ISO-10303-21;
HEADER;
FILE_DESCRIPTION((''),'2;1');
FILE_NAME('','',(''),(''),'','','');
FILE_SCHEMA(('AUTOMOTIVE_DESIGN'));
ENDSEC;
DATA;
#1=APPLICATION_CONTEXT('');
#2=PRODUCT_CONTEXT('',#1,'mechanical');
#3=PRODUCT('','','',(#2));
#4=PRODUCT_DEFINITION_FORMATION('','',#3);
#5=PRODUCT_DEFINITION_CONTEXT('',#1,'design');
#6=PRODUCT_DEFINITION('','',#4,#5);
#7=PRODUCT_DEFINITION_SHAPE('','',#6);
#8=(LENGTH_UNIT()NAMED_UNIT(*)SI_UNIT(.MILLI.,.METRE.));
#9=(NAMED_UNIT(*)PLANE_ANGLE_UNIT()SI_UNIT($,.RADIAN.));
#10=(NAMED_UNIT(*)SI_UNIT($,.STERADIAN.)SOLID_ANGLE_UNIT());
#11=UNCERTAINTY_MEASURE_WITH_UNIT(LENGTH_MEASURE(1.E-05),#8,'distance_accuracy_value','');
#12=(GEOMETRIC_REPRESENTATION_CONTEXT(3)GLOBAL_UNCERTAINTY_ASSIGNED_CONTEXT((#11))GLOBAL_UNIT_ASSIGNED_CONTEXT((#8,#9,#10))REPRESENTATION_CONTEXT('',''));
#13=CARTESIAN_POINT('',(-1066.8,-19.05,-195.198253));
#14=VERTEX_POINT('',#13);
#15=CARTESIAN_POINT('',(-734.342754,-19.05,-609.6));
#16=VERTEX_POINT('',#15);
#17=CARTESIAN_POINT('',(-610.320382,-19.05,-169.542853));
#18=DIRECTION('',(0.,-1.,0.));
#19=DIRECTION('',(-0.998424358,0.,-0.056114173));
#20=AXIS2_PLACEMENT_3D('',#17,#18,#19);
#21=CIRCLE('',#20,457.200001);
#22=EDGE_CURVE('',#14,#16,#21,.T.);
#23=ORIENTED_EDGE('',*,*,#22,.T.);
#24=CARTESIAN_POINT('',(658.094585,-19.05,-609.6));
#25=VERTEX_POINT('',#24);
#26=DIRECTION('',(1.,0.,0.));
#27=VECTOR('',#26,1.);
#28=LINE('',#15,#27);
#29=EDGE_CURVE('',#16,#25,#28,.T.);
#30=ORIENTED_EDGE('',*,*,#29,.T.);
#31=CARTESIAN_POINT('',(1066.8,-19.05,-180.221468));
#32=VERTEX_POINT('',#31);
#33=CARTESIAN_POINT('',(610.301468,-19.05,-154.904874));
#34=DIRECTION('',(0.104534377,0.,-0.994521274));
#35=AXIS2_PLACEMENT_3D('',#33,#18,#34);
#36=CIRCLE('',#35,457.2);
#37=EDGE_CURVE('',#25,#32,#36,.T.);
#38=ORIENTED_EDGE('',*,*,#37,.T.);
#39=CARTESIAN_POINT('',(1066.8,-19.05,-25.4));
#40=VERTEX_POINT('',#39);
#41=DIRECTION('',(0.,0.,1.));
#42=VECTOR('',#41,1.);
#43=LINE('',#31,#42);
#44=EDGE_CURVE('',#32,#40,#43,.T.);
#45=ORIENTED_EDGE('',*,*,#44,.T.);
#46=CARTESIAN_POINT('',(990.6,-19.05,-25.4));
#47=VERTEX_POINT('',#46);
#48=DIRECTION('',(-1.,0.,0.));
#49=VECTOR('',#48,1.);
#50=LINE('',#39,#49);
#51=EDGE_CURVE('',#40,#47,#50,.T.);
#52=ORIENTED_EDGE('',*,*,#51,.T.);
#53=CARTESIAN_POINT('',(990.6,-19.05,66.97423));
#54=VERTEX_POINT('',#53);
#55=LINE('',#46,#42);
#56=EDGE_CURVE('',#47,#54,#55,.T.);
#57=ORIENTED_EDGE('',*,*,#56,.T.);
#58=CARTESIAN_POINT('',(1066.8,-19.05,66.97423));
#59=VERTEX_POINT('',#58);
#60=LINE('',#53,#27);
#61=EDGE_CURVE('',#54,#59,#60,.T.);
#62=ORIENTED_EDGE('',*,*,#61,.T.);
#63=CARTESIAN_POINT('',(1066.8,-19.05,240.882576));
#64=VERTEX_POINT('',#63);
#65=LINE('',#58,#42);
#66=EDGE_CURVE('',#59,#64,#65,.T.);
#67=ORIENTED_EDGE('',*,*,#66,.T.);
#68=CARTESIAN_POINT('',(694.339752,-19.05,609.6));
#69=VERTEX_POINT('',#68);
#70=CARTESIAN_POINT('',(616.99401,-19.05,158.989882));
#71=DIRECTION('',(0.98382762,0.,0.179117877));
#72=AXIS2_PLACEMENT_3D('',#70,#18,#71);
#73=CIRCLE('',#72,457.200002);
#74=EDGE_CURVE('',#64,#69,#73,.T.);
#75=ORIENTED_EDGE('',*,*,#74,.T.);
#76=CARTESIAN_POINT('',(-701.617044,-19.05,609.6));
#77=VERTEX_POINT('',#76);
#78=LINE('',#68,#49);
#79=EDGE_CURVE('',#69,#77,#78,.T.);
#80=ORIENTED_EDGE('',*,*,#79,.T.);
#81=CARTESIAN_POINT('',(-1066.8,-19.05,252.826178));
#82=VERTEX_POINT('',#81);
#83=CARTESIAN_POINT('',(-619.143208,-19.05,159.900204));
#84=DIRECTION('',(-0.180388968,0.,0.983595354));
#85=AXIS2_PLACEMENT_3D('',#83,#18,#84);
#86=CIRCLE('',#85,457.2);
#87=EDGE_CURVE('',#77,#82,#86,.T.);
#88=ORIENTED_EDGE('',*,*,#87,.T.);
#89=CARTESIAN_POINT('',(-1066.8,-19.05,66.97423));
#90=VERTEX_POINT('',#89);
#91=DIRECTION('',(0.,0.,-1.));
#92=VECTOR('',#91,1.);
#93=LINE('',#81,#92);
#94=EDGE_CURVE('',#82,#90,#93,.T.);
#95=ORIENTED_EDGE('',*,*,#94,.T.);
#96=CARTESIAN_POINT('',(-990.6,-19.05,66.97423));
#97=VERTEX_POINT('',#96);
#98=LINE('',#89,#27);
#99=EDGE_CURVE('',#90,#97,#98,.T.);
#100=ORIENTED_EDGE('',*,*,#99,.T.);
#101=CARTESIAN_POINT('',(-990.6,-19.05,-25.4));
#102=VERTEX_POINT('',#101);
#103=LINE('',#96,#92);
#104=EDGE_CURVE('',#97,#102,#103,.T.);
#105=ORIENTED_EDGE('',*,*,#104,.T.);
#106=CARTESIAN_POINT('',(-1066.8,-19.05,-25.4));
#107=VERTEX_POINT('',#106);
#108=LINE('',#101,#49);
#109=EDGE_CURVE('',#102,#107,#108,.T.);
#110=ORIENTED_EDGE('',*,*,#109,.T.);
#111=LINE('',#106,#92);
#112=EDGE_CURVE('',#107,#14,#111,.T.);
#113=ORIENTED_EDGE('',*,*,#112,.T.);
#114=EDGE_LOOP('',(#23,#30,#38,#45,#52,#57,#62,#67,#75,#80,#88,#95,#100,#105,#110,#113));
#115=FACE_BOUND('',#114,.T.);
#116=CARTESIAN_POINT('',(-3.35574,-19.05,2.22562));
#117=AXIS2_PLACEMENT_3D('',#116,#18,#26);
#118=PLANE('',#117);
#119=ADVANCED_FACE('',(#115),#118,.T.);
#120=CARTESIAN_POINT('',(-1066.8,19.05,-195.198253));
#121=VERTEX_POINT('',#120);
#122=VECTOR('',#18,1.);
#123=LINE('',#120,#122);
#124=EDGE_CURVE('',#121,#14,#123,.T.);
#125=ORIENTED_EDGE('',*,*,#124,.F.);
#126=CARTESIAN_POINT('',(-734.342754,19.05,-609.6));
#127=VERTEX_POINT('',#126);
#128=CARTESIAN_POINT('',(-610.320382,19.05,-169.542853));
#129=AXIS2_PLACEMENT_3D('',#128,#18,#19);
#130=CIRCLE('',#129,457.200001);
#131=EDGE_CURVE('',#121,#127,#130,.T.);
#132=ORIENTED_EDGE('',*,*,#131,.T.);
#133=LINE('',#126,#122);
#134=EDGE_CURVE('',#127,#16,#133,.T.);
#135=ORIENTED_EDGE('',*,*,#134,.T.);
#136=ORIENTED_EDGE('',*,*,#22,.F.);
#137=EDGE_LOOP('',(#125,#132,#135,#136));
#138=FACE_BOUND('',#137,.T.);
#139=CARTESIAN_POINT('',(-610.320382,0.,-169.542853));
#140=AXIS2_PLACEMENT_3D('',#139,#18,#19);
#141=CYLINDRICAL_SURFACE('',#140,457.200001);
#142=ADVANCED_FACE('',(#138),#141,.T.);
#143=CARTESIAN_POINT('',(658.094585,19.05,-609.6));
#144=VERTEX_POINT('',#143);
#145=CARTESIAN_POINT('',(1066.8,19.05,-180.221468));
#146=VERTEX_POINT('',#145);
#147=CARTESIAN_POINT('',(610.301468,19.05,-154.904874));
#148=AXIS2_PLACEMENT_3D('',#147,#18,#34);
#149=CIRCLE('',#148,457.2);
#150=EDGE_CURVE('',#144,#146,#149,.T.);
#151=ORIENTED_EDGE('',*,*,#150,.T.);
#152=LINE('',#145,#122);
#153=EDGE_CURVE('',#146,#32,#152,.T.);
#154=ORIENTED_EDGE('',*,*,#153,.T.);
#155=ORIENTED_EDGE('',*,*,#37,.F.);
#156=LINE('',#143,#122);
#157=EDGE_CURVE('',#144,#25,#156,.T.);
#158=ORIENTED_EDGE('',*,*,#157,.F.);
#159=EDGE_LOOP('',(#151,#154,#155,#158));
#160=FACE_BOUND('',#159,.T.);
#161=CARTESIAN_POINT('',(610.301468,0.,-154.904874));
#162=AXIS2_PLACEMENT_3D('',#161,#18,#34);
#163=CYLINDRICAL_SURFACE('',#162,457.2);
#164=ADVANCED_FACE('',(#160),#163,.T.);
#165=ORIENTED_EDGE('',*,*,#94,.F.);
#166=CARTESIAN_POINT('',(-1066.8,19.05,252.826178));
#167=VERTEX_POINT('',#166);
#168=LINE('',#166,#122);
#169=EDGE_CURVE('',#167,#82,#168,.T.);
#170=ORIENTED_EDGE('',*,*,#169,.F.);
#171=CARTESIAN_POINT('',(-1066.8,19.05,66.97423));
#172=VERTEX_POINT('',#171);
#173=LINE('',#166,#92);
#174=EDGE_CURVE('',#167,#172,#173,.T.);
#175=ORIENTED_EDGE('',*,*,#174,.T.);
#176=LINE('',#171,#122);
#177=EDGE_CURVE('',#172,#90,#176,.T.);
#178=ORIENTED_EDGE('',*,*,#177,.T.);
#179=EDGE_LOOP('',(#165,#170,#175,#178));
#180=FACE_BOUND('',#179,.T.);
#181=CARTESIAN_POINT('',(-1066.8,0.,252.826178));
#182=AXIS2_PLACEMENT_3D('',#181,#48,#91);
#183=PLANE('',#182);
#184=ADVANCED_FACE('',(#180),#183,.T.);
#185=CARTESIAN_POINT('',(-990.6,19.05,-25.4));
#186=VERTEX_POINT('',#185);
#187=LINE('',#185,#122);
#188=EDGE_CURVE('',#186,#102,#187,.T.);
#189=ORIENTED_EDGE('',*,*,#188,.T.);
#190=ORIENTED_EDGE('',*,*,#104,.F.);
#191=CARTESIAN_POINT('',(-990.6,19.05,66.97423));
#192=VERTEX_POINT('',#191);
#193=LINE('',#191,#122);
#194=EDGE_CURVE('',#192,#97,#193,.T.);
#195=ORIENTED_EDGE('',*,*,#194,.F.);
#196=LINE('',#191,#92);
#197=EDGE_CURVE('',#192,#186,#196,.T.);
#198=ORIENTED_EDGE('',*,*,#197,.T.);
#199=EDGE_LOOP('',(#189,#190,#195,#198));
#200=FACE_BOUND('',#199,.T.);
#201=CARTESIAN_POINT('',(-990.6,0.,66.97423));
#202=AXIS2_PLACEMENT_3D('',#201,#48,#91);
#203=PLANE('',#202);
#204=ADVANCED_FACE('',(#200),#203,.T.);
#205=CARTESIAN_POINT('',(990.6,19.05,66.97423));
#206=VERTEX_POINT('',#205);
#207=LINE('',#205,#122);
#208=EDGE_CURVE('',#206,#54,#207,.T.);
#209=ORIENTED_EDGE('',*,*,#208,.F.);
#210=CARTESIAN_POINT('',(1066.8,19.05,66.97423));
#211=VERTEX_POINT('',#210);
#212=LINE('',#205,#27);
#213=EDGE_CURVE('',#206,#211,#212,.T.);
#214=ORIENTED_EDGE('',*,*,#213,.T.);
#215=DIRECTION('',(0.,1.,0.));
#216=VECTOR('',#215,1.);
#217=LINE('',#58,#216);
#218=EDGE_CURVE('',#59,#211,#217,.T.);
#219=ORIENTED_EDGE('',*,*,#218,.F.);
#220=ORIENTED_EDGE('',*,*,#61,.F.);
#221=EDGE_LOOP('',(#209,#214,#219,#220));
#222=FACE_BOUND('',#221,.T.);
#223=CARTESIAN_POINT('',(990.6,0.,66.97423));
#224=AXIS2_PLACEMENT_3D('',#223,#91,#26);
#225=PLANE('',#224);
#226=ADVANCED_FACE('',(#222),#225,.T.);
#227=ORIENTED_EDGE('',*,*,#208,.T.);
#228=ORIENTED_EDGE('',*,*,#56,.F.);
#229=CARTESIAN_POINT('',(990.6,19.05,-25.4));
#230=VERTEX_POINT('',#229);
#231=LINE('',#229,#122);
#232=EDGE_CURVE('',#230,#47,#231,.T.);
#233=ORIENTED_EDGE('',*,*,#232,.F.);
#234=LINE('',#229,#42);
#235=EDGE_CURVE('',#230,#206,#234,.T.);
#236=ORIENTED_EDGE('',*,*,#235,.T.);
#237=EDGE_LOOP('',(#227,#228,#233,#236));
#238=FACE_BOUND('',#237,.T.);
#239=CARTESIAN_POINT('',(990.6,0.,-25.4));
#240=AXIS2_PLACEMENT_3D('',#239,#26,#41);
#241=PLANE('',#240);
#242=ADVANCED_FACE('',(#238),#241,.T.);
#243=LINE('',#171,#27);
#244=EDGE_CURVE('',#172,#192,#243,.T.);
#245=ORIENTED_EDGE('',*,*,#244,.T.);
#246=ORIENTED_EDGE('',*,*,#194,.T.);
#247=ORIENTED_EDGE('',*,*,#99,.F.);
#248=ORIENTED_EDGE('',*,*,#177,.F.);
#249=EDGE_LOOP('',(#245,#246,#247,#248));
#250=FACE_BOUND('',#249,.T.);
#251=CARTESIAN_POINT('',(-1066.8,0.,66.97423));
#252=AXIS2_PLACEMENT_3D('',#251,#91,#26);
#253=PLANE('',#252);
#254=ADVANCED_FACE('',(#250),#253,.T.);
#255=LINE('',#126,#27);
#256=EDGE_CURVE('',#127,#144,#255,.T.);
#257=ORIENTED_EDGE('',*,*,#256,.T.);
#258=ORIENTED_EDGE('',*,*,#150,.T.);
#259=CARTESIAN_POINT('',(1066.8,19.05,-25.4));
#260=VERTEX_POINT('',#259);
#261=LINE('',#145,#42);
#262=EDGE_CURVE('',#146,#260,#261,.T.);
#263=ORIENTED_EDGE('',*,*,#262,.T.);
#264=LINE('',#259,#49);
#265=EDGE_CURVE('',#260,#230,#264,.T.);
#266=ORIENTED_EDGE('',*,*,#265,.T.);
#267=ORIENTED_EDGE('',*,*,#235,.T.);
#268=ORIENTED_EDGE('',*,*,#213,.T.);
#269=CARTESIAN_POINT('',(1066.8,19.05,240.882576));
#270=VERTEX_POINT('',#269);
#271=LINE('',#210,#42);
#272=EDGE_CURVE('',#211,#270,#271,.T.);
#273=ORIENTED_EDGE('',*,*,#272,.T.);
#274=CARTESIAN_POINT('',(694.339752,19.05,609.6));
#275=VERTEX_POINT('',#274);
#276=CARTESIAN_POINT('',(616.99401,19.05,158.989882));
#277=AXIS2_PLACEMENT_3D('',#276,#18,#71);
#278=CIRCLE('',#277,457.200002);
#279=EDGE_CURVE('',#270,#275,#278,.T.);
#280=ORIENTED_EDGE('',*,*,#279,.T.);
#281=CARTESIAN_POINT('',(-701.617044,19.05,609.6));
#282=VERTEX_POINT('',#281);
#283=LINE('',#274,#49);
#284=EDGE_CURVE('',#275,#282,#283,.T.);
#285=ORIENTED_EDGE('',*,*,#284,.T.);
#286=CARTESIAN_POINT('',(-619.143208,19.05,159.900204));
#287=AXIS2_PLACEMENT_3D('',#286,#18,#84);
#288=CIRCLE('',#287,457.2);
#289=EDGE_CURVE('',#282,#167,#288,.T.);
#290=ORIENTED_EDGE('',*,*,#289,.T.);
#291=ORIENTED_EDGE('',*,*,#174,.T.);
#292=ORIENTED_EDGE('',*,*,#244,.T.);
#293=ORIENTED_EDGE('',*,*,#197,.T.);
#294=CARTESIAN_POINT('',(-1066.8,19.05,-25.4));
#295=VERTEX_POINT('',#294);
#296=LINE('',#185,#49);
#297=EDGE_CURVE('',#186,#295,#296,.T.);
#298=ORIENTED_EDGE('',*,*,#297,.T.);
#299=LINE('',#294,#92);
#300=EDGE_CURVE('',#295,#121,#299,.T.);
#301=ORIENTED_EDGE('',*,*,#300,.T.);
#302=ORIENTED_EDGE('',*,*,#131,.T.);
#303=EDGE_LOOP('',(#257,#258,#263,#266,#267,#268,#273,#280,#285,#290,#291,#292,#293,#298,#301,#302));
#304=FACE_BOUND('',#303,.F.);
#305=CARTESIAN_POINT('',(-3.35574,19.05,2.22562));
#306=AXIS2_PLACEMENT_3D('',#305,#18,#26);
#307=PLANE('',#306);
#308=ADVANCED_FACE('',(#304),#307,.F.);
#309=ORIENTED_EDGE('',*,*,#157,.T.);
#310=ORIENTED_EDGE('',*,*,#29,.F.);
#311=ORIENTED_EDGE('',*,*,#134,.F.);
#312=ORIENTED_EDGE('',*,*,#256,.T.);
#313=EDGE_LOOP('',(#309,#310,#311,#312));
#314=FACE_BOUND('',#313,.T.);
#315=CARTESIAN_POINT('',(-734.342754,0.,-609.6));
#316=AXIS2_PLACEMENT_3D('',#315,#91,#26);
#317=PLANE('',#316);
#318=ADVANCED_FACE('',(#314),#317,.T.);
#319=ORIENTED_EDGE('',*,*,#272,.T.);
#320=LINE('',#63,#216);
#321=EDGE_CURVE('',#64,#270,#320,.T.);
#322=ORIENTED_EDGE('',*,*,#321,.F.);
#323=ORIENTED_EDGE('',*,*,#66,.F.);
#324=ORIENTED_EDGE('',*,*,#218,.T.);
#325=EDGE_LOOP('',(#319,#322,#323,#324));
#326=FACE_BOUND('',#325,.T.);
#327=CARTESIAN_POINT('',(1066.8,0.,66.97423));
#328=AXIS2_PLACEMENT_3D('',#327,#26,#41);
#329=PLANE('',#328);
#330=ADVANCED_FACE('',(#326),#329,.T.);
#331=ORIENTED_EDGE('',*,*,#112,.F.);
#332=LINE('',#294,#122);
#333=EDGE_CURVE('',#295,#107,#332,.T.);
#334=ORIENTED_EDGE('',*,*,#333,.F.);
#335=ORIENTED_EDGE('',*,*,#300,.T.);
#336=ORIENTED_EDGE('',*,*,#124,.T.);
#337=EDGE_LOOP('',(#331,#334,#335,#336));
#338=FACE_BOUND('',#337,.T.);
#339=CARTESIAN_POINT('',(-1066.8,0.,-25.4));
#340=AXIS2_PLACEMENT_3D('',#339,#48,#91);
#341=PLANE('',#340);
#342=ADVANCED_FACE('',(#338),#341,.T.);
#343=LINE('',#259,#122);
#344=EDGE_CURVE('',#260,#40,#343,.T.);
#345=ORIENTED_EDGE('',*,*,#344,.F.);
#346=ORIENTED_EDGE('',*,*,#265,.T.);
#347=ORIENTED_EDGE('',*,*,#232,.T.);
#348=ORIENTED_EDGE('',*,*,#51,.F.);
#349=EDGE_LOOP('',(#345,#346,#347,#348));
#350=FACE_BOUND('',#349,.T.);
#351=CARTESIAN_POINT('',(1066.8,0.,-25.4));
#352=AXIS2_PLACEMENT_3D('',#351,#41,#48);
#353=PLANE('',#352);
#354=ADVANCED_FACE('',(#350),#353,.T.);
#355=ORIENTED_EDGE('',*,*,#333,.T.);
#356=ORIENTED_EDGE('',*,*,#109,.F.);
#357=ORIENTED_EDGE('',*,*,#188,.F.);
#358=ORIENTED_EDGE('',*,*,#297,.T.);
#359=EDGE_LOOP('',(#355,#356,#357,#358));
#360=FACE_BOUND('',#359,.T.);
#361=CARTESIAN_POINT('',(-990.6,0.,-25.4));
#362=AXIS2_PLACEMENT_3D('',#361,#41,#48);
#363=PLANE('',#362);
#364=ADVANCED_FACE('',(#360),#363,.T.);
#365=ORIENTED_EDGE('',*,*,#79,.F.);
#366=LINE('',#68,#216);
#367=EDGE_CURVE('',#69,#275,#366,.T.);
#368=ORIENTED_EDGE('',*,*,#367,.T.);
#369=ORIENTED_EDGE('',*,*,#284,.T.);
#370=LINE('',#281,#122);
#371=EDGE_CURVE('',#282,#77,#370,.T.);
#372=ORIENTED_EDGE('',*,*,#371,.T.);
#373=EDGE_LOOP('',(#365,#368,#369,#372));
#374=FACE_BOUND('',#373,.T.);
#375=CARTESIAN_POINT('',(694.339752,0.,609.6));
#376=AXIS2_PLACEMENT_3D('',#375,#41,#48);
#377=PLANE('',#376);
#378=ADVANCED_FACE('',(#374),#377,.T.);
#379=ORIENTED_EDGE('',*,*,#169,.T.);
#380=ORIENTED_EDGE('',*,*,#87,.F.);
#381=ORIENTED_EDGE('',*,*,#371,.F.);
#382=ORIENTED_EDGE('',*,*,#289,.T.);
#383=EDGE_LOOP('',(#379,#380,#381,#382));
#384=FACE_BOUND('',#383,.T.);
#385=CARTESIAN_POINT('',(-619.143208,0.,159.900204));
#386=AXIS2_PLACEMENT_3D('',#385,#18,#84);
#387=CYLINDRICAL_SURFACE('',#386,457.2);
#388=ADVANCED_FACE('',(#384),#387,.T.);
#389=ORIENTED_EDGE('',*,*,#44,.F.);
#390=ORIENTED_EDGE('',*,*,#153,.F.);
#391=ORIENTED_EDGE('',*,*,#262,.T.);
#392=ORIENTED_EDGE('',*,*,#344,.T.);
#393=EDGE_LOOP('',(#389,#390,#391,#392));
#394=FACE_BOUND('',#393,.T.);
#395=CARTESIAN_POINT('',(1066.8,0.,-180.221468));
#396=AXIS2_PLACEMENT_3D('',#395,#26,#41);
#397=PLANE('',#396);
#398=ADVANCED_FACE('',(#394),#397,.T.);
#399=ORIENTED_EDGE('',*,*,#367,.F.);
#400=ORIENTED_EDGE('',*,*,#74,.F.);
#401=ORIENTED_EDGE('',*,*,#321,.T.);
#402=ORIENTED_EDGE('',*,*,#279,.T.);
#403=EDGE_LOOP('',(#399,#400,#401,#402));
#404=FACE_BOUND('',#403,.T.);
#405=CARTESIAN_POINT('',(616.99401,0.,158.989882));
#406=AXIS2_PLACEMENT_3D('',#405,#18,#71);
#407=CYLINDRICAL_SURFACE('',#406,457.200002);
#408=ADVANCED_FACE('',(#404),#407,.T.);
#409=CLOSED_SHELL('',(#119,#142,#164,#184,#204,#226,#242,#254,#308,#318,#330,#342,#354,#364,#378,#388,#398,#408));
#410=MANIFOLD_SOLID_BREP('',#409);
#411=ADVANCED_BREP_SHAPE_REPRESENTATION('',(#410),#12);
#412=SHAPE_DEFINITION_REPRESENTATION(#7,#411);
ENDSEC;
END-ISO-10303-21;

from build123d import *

# Parameters (mm, degrees)
F1_DEPTH = 19.05


with BuildPart() as f1:
    # F0 (on Front) → F1 (new body, symmetric)
    with BuildSketch(Plane.XZ):
        with BuildLine():
            Line((694.339752, 609.6), (-536.669373, 609.6))
            Line((-536.669373, 609.6), (-701.617044, 609.6))
            ThreePointArc((-701.617044, 609.6), (-938.645181, 486.932816), (-1066.8, 252.826178))
            Line((-1066.8, 252.826178), (-1066.8, 66.97423))
            Line((-1066.8, 66.97423), (-990.6, 66.97423))
            Line((-990.6, 66.97423), (-990.6, -25.4))
            Line((-990.6, -25.4), (-1066.8, -25.4))
            Line((-1066.8, -25.4), (-1066.8, -195.198253))
            ThreePointArc((-1066.8, -195.198253), (-966.940407, -455.644232), (-734.342754, -609.6))
            Line((-734.342754, -609.6), (658.094585, -609.6))
            ThreePointArc((658.094585, -609.6), (941.464566, -470.123595), (1066.8, -180.221468))
            Line((1066.8, -180.221468), (1066.8, -25.4))
            Line((1066.8, -25.4), (990.6, -25.4))
            Line((990.6, -25.4), (990.6, 66.97423))
            Line((990.6, 66.97423), (1066.8, 66.97423))
            Line((1066.8, 66.97423), (1066.8, 240.882576))
            ThreePointArc((1066.8, 240.882576), (938.646574, 483.907518), (694.339752, 609.6))
        make_face()
    extrude(amount=F1_DEPTH, both=True)


solid = f1.part
